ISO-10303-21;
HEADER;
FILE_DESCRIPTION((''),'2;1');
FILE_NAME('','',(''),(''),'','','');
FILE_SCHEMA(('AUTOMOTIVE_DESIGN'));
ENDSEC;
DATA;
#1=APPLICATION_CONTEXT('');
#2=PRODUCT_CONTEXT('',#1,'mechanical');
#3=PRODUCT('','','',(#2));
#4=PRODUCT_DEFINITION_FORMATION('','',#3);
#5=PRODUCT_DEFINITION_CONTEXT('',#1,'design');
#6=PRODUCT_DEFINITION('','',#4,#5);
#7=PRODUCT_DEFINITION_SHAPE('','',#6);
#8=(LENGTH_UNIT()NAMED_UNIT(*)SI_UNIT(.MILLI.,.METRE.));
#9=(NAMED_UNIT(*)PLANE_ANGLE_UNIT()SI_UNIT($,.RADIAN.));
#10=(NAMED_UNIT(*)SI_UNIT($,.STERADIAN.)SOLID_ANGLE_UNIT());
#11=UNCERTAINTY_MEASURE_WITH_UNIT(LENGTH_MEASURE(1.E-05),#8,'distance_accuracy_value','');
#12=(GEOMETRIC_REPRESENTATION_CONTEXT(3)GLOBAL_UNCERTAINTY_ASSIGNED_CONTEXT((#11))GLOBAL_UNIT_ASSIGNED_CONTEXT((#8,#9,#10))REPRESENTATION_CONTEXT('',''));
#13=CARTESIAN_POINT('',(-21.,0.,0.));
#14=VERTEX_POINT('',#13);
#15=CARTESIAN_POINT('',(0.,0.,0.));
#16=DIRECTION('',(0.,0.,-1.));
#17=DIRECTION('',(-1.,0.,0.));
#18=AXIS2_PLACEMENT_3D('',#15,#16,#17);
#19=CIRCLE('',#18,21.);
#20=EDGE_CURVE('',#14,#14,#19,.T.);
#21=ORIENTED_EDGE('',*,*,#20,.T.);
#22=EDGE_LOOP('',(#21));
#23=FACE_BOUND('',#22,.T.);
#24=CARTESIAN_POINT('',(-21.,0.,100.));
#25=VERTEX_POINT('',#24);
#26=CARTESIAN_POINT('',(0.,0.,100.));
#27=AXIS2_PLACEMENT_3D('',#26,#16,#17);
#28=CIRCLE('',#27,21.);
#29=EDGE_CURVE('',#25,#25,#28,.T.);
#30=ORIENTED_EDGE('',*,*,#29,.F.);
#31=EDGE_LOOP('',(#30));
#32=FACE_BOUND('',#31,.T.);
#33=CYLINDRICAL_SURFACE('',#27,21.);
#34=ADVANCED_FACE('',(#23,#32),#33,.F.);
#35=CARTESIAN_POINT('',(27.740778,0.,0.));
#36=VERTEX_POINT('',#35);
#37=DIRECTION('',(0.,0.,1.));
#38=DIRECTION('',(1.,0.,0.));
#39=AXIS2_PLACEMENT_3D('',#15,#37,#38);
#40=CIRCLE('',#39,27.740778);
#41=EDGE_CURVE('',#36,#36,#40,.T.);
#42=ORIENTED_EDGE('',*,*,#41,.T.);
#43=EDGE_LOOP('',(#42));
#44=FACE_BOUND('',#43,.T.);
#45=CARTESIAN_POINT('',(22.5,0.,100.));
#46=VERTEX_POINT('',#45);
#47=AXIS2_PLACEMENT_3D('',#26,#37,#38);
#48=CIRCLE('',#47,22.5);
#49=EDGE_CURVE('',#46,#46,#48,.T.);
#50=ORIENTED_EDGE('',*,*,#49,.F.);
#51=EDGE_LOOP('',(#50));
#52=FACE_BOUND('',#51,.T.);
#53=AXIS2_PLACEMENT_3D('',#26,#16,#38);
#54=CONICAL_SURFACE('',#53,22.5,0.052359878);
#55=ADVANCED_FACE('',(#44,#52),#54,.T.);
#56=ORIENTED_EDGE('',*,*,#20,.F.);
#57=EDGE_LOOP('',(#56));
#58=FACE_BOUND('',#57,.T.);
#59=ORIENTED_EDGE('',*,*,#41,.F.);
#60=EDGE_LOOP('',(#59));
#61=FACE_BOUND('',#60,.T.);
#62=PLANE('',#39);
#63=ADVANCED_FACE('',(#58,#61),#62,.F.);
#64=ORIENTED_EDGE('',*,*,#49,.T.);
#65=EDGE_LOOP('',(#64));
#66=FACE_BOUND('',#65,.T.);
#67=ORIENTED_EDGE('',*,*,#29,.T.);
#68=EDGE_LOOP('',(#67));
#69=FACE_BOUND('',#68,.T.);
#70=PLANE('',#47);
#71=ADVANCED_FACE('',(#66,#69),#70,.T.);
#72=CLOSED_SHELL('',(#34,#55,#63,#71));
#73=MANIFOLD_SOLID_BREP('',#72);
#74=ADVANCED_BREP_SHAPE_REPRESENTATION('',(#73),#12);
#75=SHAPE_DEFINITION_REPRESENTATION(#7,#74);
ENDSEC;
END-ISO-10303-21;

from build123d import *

# Parameters (mm, degrees)
SKETCH1_R          = 22.5
BOSS_EXTRUDE_DEPTH = 100
DRAFT3_ANGLE       = 3
SKETCH2_R          = 21
CUT_EXTRUDE1_DEPTH = 108.420210017


with BuildPart() as part:
    # Sketch1 → Boss-Extrude (new body)
    with BuildSketch(Plane.XY):
        Circle(SKETCH1_R)
    extrude(amount=BOSS_EXTRUDE_DEPTH)

    # Draft3
    draft3_faces = [part.faces().sort_by_distance(p)[0] for p in [
        (-22.5, 0, 50),
    ]]
    draft(draft3_faces, Plane.XY.offset(100), DRAFT3_ANGLE)

    # Sketch2 → Cut-Extrude1 (cut, through all)
    with BuildSketch(Plane(origin=(0, 0, 0), x_dir=(-1, 0, 0), z_dir=(0, 0, -1))):
        Circle(SKETCH2_R)
    extrude(amount=-CUT_EXTRUDE1_DEPTH, mode=Mode.SUBTRACT)


solid = part.part
